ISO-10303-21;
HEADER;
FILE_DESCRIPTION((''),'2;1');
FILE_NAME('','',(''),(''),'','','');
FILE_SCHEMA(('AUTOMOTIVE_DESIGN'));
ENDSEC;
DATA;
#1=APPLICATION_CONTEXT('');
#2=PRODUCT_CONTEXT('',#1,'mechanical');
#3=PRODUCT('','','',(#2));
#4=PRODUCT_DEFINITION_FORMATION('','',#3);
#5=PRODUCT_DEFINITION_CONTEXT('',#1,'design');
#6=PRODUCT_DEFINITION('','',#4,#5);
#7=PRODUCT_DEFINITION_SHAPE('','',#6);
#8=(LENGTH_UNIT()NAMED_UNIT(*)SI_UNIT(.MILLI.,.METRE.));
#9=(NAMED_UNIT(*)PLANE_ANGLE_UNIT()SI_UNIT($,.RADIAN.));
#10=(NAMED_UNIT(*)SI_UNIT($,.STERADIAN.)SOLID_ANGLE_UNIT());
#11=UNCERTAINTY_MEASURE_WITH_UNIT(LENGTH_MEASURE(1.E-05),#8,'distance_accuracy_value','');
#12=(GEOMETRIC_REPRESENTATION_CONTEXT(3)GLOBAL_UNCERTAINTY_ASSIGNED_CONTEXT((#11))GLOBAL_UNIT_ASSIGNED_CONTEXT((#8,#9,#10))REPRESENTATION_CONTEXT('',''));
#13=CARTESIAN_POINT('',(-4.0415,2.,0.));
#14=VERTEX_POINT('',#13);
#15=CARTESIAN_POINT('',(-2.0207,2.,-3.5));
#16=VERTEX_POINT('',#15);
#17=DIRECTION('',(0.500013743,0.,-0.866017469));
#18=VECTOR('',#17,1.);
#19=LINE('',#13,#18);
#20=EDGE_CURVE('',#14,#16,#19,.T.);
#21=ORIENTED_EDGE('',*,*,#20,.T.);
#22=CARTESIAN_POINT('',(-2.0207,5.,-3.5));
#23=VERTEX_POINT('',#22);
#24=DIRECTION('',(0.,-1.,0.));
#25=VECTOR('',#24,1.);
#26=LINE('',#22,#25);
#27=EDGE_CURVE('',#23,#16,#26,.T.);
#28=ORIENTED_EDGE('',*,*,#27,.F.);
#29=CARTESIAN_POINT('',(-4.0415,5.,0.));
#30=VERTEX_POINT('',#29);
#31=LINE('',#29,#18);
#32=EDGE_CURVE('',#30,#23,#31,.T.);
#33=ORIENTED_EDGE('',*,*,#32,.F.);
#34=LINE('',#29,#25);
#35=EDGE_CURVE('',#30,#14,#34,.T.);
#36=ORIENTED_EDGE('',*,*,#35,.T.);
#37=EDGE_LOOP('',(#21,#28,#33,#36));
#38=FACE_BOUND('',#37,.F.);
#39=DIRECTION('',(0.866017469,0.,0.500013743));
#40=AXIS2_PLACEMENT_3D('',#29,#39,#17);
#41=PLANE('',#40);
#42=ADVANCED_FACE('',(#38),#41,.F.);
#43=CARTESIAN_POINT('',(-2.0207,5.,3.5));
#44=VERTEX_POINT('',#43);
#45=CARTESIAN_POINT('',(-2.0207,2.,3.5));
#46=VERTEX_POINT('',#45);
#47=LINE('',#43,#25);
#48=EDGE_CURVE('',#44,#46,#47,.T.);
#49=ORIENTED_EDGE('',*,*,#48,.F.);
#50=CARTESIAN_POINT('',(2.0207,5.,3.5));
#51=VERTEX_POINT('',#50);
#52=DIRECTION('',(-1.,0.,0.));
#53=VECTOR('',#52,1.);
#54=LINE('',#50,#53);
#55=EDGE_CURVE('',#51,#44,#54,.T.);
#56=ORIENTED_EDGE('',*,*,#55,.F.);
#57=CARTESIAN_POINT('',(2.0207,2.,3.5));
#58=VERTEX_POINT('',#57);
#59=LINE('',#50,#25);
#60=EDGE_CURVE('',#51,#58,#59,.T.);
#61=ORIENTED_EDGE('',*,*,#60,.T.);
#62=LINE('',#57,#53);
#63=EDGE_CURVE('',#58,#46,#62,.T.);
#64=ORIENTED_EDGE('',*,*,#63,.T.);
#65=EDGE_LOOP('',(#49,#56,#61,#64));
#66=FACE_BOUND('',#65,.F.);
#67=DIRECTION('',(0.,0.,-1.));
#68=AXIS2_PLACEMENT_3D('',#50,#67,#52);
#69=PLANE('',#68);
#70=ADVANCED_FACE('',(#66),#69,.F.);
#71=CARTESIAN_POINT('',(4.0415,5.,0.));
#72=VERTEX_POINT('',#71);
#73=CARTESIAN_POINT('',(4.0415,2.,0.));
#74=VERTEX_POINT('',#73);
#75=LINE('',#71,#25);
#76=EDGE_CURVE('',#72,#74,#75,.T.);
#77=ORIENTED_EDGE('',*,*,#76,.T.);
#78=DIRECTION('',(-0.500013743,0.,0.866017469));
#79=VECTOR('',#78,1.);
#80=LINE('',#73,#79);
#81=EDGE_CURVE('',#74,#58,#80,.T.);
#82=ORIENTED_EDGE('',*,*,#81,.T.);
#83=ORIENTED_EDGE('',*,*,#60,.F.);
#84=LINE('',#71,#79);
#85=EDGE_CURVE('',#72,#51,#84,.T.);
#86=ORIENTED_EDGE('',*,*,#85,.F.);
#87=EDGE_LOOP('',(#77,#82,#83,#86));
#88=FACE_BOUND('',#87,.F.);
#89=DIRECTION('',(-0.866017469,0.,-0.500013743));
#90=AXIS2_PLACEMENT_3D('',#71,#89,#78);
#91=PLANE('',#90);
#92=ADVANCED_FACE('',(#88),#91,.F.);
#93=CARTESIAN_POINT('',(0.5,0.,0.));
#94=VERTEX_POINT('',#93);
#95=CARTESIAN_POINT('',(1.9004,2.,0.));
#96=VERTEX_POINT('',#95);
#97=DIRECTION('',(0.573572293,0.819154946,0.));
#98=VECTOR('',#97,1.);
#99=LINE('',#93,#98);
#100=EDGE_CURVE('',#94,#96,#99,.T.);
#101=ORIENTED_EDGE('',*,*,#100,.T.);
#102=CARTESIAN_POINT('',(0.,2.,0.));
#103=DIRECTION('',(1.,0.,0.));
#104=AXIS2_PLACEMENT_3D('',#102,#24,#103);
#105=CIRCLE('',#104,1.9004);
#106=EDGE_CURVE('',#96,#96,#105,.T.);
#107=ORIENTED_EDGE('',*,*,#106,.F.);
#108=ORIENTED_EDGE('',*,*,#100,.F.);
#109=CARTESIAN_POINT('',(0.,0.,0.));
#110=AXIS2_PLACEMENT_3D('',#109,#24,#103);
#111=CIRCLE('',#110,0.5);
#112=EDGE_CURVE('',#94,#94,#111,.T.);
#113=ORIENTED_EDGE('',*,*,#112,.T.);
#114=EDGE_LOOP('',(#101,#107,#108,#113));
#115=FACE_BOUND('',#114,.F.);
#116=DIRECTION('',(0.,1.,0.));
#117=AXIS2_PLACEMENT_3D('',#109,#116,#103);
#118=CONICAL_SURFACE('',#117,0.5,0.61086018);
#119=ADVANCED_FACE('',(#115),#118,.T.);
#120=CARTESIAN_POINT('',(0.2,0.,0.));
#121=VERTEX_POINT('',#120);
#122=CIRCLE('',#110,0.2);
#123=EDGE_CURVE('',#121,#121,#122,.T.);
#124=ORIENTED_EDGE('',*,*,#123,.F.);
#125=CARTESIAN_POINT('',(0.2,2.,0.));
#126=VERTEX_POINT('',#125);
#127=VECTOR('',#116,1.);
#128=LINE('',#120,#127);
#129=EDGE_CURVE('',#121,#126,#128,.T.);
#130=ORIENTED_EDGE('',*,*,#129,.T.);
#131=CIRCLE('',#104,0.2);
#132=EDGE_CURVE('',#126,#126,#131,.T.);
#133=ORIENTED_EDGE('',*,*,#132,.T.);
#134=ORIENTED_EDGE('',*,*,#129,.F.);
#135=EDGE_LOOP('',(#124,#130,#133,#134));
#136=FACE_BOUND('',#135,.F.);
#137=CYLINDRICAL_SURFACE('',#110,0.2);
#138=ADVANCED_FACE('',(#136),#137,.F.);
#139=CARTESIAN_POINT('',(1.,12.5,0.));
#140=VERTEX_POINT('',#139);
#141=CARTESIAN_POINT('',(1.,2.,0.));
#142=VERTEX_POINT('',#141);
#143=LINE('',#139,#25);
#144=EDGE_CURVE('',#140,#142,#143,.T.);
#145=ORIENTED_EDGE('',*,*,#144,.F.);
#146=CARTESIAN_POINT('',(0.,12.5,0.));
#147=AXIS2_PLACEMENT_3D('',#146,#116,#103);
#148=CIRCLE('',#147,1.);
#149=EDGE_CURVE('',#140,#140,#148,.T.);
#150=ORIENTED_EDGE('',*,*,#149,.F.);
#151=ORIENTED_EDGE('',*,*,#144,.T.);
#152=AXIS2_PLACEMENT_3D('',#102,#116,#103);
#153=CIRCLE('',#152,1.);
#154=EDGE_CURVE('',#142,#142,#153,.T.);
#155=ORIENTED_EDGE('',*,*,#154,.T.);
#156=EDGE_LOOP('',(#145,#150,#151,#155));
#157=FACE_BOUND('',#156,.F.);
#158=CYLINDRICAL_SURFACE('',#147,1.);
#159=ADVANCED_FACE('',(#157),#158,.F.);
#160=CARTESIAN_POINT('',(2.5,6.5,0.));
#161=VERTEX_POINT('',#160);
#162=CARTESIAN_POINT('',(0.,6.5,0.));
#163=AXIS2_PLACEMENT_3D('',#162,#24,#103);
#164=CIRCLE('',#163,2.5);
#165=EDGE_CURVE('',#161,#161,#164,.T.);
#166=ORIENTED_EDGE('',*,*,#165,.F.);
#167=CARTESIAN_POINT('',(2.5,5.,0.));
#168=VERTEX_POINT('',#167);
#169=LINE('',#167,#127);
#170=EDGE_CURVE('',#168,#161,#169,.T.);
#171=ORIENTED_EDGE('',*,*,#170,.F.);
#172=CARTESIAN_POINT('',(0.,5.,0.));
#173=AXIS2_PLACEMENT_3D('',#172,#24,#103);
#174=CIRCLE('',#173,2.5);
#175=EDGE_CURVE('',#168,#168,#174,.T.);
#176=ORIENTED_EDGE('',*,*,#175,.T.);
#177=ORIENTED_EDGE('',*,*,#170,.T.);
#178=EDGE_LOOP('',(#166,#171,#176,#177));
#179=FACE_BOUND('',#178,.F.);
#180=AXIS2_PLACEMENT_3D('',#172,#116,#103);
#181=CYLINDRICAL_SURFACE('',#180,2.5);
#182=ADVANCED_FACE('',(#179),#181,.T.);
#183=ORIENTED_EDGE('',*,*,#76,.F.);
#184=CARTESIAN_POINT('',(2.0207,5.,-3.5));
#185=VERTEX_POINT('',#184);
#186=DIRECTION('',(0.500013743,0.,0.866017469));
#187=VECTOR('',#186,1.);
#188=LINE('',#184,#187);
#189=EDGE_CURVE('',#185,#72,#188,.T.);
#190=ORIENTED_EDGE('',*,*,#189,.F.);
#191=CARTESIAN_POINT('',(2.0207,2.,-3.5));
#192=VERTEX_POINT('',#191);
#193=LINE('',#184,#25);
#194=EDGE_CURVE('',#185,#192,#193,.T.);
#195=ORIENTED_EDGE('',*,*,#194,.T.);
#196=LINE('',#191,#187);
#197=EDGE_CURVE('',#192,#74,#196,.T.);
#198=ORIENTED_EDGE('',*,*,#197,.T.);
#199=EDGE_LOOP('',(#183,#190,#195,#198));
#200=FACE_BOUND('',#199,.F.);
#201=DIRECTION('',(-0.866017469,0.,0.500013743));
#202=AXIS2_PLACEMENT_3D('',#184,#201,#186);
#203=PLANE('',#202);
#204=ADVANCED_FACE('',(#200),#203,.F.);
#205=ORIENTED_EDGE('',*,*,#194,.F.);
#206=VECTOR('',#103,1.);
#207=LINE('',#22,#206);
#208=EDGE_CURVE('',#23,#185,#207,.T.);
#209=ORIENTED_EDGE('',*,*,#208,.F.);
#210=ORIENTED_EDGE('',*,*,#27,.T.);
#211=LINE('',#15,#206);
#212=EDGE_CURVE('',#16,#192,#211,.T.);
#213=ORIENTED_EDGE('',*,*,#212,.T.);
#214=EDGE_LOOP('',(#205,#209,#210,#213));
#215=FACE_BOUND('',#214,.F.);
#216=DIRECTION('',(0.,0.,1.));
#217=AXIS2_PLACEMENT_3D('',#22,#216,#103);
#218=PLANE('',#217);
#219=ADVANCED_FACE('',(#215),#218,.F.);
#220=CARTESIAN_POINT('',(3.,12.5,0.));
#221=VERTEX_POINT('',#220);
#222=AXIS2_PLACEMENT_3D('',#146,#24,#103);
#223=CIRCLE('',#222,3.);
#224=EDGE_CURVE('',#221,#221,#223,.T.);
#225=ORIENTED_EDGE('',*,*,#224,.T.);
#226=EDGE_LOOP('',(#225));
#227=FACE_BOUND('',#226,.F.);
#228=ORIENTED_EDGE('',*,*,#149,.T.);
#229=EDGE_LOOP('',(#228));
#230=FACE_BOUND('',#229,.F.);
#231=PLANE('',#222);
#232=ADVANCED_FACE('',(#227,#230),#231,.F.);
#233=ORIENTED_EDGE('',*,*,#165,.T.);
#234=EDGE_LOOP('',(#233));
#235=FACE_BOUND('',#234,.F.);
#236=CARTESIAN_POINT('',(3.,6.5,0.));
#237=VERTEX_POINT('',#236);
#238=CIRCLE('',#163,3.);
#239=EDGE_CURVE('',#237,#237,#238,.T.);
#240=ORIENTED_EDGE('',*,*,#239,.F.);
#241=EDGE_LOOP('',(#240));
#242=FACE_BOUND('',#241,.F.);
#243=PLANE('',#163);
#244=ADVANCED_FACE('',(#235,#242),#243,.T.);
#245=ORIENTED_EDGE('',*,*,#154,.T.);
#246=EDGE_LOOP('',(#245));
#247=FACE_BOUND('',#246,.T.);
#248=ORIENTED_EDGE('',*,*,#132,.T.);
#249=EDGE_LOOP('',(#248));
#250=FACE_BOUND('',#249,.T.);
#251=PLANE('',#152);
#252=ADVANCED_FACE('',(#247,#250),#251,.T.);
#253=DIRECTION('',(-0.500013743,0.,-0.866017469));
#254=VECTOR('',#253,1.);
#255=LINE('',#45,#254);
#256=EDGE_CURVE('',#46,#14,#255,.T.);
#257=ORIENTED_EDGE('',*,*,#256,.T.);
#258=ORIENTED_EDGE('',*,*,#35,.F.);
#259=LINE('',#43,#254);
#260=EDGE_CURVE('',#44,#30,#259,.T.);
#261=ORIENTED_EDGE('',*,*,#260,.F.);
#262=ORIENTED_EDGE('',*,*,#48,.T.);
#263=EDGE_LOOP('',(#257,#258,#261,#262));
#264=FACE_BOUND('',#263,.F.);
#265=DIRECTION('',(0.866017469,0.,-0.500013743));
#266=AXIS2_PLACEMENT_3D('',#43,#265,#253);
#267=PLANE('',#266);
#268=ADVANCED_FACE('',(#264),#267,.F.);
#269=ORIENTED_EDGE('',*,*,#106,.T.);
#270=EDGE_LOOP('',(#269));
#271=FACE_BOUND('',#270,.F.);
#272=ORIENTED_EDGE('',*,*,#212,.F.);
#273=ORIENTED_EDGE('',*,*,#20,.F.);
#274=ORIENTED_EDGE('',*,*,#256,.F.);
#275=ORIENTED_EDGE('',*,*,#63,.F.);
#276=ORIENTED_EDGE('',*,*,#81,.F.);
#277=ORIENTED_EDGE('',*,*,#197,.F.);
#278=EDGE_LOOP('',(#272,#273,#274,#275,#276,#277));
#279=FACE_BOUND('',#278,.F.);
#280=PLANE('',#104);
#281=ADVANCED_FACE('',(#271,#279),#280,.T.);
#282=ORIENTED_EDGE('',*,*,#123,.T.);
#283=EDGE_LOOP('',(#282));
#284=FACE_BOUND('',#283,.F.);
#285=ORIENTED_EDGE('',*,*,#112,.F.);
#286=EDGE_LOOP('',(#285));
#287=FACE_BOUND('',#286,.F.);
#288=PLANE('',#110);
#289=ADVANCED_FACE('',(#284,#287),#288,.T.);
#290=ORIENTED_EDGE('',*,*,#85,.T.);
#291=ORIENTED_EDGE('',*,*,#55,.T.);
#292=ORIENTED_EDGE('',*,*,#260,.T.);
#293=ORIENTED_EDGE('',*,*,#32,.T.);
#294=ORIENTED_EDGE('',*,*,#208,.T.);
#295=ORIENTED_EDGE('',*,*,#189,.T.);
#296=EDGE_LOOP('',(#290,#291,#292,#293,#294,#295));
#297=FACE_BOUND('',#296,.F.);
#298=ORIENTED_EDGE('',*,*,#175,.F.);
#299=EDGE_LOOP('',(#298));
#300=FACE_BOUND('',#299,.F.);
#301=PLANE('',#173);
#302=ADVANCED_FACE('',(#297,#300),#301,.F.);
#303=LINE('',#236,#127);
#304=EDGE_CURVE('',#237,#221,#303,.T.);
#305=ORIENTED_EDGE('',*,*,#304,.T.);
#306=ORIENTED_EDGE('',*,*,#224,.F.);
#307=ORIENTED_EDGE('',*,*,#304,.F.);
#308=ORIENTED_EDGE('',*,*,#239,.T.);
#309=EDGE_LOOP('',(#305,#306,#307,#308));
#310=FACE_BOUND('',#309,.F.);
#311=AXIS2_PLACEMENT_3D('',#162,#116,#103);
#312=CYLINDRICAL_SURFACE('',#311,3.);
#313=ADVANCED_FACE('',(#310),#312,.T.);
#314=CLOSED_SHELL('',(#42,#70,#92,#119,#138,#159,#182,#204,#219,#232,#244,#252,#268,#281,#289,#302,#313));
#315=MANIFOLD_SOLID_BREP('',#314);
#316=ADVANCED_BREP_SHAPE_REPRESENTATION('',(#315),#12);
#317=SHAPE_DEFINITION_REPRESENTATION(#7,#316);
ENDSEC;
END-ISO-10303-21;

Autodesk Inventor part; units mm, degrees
ref_plane "YZ Plane" through (0, 0, 0) normal (1, 0, 0) x (0, 1, 0)
ref_plane "XZ Plane" through (0, 0, 0) normal (0, 1, 0) x (-1, 0, 0)
ref_plane "XY Plane" through (0, 0, 0) normal (0, 0, 1) x (1, 0, 0)
sketch "Sketch1" plane through (0, 0, 0) normal (0, 0, 1) x (1, 0, 0)
  line L0 (0, 0) -> (0.5, 0)
  line L1 (0.5, 0) -> (1.9004, 2)
  line L2 (1.9004, 2) -> (4.5, 2)
  line L3 (4.5, 2) -> (4.5, 5)
  line L4 (4.5, 5) -> (2.5, 5)
  line L5 (2.5, 5) -> (2.5, 6.5)
  line L6 (2.5, 6.5) -> (3, 6.5)
  line L7 (3, 6.5) -> (3, 12.5)
  line L8 (3, 12.5) -> (0, 12.5)
  line L9 (0, 12.5) -> (0, 0)
  dimension "d0" = 0.5
  dimension "d1" = 125
  dimension "d3" = 4.5
  dimension "d4" = 3
  dimension "d5" = 2.5
  dimension "d6" = 1.5
  dimension "d7" = 3
  dimension "d8" = 10.5
  dimension "d9" = 12.5
revolve "Revolution1" add sketch "Sketch1" angle 360 about axis through (0, 12.5, 0) along (0, -1, 0)
sketch "Sketch2" plane through (0, 5, 0) normal (0, 1, 0) x (1, 0, 0)
  circle A0 centre (0, 0) radius 4.5 projected
  line L0 (4.0415, 0) -> (2.0207, -3.5)
  line L1 (2.0207, -3.5) -> (-2.0207, -3.5)
  line L2 (-2.0207, -3.5) -> (-4.0415, 0)
  line L3 (-4.0415, 0) -> (-2.0207, 3.5)
  line L4 (-2.0207, 3.5) -> (2.0207, 3.5)
  line L5 (2.0207, 3.5) -> (4.0415, 0)
  dimension "d11" = 7
extrude "Extrusion1" cut sketch "Sketch2" against normal up to surface (3 mm away)
thread "Thread1" size "M6x1" class "6g" standard "ANSI Metric M Profile" full length
sketch "Sketch3" plane through (0, 12.5, 0) normal (0, 1, 0) x (1, 0, 0)
  circle A0 centre (0, 0) radius 3 projected
  circle A1 centre (0, 0) radius 1
  dimension "d16" = 2
extrude "Extrusion2" cut sketch "Sketch3" against normal blind 10.5 contours A1
sketch "Sketch4" plane through (0, 0, 0) normal (0, -1, 0) x (1, 0, 0)
  circle A0 centre (0, 0) radius 0.5 projected
  circle A1 centre (0, 0) radius 0.2
  dimension "d19" = 0.4
extrude "Extrusion3" cut sketch "Sketch4" against normal up to surface (2 mm away) contours A1
properties part number "ChimeraNozzle.4" material "Brass, Soft Yellow"
